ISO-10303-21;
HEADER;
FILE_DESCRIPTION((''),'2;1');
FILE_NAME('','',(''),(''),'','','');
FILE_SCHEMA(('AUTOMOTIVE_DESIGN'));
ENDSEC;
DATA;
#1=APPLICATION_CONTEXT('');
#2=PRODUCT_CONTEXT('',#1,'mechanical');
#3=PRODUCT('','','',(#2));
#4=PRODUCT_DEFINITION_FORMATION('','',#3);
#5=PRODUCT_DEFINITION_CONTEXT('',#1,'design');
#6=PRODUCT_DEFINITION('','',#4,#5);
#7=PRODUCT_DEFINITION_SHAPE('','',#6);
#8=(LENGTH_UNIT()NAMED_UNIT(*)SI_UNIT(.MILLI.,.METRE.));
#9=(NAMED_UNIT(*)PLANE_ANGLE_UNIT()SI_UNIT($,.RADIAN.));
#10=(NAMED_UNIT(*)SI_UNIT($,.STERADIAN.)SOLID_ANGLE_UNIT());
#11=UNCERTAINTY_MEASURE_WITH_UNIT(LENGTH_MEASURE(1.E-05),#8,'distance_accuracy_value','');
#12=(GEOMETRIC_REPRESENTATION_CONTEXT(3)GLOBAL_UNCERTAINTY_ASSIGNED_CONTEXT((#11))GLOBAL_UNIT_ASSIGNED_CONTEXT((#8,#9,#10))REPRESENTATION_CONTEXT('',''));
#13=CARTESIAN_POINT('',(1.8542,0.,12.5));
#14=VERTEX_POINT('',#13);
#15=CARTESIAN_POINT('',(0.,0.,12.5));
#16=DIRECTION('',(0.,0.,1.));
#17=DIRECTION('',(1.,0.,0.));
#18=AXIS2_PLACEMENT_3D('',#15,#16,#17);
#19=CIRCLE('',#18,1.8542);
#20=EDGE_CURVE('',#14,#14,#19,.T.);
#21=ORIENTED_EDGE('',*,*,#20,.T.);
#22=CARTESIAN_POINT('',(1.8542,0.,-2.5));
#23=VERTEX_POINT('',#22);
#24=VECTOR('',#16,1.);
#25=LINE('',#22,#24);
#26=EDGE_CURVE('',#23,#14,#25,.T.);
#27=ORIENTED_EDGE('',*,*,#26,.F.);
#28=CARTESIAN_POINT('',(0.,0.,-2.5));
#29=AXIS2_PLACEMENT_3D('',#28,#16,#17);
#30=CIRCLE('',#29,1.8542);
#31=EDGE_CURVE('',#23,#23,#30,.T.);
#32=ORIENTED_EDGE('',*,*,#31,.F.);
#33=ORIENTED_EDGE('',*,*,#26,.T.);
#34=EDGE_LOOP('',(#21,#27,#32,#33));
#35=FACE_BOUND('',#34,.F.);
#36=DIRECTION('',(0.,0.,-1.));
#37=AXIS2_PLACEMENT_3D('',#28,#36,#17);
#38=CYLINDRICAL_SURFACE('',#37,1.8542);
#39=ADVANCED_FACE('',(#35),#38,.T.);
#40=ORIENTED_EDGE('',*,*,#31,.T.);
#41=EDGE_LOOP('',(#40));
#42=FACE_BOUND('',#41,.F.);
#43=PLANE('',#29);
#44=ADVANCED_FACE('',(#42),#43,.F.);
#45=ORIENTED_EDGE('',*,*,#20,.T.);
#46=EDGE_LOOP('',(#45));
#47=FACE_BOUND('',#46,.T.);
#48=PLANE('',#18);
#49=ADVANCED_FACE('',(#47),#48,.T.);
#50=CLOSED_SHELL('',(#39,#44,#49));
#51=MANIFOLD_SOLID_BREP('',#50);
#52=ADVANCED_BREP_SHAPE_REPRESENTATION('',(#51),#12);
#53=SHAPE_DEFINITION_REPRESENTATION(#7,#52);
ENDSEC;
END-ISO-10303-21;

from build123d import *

# Parameters (mm, degrees)
CYLINDER_R     = 1.8542
CYLINDER_DEPTH = 15


with BuildPart() as part:
    # Cylinder → Cylinder (new body)
    with BuildSketch(Plane.XY.offset(-2.5)):
        Circle(CYLINDER_R)
    extrude(amount=CYLINDER_DEPTH)


solid = part.part
